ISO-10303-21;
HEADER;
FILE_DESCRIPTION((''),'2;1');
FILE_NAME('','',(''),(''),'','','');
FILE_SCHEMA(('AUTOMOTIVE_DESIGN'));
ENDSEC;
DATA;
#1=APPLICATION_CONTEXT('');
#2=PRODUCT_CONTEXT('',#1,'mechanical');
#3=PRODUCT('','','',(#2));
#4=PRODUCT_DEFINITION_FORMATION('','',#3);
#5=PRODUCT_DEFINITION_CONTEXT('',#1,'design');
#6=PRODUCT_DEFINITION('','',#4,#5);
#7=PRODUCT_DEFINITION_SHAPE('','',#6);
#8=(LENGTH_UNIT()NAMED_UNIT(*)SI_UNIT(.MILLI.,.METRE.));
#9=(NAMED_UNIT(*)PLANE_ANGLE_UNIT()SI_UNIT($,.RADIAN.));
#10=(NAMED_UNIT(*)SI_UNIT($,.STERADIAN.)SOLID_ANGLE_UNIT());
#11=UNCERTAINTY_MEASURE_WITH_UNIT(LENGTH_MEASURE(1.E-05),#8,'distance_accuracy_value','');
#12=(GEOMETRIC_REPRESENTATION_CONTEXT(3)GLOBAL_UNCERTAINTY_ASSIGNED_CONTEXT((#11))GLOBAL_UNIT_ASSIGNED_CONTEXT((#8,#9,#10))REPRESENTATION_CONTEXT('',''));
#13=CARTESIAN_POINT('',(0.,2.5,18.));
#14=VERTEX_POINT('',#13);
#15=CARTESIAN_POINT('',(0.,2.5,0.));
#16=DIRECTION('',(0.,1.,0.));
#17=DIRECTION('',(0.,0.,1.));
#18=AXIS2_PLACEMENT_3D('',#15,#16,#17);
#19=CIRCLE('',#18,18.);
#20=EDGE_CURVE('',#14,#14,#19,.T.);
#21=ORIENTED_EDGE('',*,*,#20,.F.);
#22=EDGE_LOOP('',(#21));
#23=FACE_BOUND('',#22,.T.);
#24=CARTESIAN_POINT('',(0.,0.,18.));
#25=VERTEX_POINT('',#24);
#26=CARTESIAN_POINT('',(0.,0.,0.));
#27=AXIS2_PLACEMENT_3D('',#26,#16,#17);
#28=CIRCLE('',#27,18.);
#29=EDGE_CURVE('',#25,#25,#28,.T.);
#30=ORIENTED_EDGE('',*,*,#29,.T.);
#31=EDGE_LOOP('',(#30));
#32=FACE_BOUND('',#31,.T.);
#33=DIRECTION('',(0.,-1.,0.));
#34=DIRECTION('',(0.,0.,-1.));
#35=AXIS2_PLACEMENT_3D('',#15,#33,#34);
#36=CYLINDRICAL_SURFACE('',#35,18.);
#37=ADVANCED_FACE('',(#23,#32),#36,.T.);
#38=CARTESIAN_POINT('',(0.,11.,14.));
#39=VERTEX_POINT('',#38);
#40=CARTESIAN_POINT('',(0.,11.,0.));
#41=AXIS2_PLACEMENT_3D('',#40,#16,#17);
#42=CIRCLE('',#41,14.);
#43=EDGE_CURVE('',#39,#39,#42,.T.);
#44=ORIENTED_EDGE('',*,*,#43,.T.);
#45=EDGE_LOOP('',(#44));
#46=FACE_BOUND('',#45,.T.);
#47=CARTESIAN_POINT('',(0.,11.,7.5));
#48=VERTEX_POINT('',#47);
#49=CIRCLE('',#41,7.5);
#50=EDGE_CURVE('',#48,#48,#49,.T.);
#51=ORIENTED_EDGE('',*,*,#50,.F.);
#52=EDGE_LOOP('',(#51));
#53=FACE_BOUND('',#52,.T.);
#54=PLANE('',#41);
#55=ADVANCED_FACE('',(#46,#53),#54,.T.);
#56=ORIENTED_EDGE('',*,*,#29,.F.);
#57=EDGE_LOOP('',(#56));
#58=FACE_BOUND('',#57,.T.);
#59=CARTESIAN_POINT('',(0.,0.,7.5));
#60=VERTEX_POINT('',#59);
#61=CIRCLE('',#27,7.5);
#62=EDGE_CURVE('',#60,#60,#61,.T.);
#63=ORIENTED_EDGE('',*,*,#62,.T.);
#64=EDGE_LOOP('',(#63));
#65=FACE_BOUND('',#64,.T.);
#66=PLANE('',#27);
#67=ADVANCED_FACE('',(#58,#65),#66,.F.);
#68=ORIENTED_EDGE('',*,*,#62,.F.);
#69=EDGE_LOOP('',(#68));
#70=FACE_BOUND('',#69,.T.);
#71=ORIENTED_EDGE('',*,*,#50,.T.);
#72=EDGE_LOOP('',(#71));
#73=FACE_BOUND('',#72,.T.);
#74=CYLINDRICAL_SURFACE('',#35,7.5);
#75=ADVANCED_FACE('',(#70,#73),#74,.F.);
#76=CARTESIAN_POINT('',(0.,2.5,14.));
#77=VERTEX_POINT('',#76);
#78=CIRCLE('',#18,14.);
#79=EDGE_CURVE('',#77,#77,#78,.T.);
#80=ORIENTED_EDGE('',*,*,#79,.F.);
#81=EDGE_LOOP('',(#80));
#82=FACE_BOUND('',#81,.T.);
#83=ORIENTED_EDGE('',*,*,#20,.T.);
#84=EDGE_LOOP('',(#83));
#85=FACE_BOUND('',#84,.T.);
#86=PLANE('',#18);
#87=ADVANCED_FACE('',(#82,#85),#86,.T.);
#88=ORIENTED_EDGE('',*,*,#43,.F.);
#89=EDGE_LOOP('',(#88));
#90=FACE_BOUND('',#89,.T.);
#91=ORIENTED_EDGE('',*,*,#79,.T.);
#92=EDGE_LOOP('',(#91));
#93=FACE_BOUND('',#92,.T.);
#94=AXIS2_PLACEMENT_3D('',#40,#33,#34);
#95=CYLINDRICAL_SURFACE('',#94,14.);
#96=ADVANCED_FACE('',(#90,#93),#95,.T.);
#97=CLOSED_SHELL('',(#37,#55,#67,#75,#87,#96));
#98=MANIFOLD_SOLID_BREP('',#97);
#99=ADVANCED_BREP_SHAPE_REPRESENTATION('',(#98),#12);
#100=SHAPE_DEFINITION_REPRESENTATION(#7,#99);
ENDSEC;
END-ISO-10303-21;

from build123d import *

# Parameters (mm, degrees)
SKETCH_1_R      = 18
SKETCH_1_R_2    = 7.5
EXTRUDE_1_DEPTH = 2.5
SKETCH_2_R      = 14
SKETCH_2_R_2    = 7.5
EXTRUDE_2_DEPTH = 8.5


with BuildPart() as part:
    # 草圖1 → 填料-伸長1 (new body)
    with BuildSketch(Plane(origin=(0, 0, 0), x_dir=(1, 0, 0), z_dir=(0, 1, 0))):
        with Locations(Location((0, 0, 0), (0, 0, 270))):
            Circle(SKETCH_1_R)
        with Locations(Location((0, 0, 0), (0, 0, 270))):
            Circle(SKETCH_1_R_2, mode=Mode.SUBTRACT)
    extrude(amount=EXTRUDE_1_DEPTH)

    # 草圖2 → 填料-伸長2 (add)
    with BuildSketch(Plane(origin=(0, 2.5, 0), x_dir=(1, 0, 0), z_dir=(0, 1, 0))):
        with Locations(Location((0, 0, 0), (0, 0, 270))):
            Circle(SKETCH_2_R)
        with Locations(Location((0, 0, 0), (0, 0, 270))):
            Circle(SKETCH_2_R_2, mode=Mode.SUBTRACT)
    extrude(amount=EXTRUDE_2_DEPTH)


solid = part.part
